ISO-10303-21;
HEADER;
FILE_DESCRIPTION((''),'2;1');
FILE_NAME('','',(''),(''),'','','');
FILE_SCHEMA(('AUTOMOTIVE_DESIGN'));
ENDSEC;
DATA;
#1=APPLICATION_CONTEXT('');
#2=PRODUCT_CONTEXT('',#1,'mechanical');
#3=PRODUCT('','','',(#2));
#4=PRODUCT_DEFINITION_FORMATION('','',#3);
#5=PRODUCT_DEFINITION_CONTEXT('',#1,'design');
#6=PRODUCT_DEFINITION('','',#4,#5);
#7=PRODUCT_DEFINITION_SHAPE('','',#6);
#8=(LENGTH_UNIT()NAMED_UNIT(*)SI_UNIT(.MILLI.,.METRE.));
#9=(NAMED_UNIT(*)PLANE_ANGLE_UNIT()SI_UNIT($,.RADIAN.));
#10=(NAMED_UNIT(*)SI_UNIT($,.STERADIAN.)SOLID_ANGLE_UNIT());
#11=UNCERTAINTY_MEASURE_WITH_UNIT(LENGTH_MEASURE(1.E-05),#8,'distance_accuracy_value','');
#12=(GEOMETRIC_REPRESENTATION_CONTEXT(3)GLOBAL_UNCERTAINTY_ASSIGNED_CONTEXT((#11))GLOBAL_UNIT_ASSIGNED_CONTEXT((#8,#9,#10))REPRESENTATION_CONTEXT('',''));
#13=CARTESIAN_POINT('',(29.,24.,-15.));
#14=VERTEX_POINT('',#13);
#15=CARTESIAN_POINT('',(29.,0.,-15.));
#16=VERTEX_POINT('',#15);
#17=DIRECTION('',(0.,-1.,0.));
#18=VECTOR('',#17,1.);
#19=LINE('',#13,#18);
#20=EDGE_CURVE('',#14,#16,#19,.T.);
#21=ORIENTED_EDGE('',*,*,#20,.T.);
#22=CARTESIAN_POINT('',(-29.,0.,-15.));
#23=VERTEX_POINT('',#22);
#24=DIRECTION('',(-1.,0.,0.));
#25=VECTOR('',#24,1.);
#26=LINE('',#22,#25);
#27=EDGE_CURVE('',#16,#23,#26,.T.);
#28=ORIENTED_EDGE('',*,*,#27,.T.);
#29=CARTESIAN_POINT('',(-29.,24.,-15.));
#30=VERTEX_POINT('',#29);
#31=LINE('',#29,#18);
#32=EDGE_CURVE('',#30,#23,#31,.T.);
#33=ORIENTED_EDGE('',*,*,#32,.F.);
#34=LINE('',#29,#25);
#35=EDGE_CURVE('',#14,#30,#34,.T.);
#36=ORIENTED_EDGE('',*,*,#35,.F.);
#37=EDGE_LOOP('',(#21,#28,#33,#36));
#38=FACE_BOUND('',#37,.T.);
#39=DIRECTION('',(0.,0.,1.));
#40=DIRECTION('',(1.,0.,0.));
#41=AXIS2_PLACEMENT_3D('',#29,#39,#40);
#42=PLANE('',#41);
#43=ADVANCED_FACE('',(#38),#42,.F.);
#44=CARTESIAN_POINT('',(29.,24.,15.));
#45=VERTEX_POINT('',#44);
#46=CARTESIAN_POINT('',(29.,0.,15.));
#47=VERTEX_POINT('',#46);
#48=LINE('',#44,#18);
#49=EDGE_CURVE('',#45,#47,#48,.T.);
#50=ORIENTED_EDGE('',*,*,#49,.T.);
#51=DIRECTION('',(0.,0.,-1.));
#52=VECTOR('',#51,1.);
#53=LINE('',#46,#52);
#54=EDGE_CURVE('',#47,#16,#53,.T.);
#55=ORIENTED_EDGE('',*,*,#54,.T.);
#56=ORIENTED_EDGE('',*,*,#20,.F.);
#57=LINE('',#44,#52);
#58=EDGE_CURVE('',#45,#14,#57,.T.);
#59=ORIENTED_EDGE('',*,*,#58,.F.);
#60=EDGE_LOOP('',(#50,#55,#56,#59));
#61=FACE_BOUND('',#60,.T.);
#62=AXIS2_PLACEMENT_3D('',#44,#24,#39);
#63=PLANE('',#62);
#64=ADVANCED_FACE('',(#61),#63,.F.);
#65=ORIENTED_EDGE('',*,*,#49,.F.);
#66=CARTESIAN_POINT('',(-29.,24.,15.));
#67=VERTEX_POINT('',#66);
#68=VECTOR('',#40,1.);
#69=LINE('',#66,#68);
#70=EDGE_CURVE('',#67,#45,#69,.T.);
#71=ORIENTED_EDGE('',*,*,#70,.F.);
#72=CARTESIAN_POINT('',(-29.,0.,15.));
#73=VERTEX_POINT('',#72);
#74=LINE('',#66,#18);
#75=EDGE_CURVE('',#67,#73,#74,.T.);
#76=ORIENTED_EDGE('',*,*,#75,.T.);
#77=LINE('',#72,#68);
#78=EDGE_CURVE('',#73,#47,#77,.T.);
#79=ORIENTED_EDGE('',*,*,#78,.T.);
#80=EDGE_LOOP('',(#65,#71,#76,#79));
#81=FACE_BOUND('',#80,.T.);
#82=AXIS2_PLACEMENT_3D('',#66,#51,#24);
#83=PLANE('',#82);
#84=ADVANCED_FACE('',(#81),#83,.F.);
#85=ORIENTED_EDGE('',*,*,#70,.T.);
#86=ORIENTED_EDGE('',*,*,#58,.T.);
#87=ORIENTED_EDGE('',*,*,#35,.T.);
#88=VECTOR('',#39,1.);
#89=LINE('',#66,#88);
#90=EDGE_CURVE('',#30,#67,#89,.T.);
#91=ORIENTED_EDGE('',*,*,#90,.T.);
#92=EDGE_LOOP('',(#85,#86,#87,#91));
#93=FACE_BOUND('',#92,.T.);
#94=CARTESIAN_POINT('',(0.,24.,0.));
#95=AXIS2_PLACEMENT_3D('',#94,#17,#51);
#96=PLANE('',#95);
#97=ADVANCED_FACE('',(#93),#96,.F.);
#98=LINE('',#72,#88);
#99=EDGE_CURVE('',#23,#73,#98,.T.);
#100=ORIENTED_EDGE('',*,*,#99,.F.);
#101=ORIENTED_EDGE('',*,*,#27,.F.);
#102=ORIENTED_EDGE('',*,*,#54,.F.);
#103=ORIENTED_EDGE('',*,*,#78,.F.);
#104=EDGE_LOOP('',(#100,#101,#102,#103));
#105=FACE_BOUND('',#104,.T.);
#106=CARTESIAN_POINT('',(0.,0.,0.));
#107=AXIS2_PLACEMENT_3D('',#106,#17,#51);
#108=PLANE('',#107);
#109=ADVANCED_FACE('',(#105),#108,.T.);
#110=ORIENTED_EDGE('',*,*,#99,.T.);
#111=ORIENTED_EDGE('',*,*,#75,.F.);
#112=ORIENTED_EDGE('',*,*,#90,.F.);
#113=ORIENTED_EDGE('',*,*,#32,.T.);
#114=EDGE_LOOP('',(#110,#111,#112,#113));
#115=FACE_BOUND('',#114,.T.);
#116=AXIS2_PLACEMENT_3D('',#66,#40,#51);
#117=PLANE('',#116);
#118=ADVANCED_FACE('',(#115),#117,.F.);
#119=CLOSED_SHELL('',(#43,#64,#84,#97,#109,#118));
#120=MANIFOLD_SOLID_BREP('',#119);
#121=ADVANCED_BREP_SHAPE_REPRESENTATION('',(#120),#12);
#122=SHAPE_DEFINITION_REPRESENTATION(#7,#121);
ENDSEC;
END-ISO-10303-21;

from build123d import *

# Parameters (mm, degrees)
SKETCH_1_W      = 58
SKETCH_1_H      = 30
EXTRUDE_1_DEPTH = 24


with BuildPart() as part:
    # 草图1 → 凸台-拉伸1 (new body)
    with BuildSketch(Plane(origin=(0, 0, 0), x_dir=(1, 0, 0), z_dir=(0, 1, 0))):
        Rectangle(SKETCH_1_W, SKETCH_1_H)
    extrude(amount=EXTRUDE_1_DEPTH)


solid = part.part
